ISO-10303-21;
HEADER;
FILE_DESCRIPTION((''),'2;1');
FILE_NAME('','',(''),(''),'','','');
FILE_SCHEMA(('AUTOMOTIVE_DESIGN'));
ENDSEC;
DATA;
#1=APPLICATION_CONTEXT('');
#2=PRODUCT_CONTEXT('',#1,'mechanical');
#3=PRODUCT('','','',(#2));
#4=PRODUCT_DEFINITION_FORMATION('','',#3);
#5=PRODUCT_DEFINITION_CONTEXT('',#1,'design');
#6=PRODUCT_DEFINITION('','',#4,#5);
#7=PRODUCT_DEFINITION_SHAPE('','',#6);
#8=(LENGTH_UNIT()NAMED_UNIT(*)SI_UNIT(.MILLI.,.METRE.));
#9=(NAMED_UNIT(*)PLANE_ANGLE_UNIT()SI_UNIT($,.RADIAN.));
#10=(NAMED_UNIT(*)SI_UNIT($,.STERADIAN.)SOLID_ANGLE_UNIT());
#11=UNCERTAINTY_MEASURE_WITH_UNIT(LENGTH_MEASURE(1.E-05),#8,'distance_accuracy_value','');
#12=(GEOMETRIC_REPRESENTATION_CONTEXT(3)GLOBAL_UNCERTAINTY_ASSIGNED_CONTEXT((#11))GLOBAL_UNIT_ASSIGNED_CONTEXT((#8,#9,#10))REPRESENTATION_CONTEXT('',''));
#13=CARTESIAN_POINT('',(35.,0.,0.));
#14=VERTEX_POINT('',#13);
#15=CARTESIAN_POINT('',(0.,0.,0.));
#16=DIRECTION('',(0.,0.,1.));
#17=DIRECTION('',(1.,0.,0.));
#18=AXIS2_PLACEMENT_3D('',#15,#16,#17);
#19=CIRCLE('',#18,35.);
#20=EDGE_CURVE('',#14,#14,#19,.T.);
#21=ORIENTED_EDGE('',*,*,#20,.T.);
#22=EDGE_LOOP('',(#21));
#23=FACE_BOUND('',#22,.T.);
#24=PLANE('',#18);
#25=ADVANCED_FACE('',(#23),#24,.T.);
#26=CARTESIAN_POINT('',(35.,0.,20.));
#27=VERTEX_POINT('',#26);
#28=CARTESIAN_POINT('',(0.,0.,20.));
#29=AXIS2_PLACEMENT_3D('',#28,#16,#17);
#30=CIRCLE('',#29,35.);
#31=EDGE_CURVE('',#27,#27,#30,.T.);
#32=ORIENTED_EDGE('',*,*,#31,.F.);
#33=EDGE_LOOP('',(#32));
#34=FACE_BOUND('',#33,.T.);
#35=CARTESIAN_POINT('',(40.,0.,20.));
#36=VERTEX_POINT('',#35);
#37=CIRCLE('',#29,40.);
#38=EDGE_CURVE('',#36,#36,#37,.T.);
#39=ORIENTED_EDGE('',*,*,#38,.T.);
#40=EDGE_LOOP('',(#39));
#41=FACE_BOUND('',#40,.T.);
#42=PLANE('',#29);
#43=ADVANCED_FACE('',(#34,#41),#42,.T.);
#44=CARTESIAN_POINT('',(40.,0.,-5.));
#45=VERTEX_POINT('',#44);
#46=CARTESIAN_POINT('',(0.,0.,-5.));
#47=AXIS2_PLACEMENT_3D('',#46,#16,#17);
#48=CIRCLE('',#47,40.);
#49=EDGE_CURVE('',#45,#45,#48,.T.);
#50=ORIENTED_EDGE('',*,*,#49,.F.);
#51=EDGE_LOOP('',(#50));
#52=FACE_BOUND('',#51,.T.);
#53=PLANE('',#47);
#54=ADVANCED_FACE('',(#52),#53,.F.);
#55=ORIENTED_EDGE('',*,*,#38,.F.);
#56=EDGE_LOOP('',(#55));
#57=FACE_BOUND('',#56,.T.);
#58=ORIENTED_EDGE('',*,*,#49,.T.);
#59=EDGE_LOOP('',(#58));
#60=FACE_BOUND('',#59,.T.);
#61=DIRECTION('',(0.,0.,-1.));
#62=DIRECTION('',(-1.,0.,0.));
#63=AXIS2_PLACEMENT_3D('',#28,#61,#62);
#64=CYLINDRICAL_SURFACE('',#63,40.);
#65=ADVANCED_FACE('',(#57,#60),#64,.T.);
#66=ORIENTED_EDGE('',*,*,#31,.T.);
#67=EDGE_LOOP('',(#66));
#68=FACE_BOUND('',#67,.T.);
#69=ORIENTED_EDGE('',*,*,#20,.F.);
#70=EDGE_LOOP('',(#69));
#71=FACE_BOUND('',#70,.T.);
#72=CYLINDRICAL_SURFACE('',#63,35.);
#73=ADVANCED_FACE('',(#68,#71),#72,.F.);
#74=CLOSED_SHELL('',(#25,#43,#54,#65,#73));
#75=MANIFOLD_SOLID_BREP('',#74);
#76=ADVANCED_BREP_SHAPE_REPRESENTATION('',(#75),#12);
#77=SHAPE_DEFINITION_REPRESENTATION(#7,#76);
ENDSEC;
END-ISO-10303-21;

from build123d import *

# Parameters (mm, degrees)
SKETCH1_R           = 35
BOSS_EXTRUDE1_DEPTH = 20
SHELL1_T            = 5


with BuildPart() as part:
    # Sketch1 → Boss-Extrude1 (new body)
    with BuildSketch(Plane.XY):
        Circle(SKETCH1_R)
    extrude(amount=BOSS_EXTRUDE1_DEPTH)

    # Shell1
    shell1_openings = [part.faces().sort_by_distance(p)[0] for p in [
        (0, 0, 20),
    ]]
    offset(amount=SHELL1_T, openings=shell1_openings, kind=Kind.INTERSECTION)


solid = part.part
